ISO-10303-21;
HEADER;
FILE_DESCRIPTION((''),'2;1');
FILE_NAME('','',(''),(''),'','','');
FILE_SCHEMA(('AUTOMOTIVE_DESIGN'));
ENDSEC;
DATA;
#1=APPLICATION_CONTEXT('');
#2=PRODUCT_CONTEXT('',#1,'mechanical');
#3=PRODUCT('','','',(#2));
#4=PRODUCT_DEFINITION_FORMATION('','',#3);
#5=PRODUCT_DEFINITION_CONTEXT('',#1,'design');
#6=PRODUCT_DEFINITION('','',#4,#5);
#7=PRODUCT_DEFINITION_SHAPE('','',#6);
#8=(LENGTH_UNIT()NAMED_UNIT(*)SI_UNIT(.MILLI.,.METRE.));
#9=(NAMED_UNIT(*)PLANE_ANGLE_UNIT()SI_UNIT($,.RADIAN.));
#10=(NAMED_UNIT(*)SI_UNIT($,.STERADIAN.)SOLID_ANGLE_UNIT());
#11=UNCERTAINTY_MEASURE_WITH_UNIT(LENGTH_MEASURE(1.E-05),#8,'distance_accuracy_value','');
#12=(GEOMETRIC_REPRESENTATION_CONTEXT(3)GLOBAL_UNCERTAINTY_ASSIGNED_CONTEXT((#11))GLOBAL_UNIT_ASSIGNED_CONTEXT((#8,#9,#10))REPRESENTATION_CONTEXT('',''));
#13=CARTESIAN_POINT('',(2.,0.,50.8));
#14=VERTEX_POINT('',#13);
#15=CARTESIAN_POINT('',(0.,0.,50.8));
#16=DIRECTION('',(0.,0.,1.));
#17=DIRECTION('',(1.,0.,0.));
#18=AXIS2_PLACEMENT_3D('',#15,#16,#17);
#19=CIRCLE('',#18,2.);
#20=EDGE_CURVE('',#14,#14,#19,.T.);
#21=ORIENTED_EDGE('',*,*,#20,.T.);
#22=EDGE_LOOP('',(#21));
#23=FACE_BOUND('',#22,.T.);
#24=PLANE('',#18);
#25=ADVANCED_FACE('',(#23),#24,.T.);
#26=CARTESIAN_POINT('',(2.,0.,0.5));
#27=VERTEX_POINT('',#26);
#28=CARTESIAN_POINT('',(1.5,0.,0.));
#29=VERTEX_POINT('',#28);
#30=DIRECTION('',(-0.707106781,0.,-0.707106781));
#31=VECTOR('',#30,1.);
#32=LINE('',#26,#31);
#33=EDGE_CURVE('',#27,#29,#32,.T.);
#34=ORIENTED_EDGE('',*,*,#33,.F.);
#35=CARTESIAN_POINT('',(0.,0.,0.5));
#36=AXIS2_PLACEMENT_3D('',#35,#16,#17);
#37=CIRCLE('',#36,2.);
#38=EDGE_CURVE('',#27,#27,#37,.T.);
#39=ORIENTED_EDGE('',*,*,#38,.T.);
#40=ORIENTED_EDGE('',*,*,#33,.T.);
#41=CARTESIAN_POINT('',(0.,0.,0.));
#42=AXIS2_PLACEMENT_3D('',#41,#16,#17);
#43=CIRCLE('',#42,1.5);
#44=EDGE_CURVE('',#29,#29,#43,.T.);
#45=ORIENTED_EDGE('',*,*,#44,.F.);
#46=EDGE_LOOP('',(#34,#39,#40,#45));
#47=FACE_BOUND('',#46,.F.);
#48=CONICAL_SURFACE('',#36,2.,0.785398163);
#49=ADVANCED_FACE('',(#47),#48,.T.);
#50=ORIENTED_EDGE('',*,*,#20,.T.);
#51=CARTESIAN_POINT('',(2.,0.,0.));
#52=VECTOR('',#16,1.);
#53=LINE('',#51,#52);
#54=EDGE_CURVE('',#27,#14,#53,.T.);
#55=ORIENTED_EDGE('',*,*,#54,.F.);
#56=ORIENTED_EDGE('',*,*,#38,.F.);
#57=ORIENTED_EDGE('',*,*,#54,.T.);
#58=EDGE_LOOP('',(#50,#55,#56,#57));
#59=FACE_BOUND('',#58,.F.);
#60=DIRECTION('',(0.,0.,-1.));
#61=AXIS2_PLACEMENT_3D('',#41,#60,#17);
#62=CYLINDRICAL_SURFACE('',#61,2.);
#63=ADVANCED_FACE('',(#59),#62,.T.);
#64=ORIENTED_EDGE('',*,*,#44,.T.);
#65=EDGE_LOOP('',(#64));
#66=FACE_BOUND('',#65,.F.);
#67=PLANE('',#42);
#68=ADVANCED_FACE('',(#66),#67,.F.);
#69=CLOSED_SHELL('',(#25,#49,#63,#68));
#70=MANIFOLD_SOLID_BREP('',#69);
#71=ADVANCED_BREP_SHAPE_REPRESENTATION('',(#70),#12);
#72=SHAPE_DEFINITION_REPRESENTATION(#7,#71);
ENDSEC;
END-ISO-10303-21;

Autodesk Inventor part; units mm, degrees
ref_plane "YZ Plane" through (0, 0, 0) normal (1, 0, 0) x (0, 1, 0)
ref_plane "XZ Plane" through (0, 0, 0) normal (0, 1, 0) x (-1, 0, 0)
ref_plane "XY Plane" through (0, 0, 0) normal (0, 0, 1) x (1, 0, 0)
sketch "Sketch1" plane through (0, 0, 0) normal (0, 0, 1) x (1, 0, 0)
  circle A0 centre (0, 0) radius 2
  dimension "d0" = 4
extrude "Extrusion1" add sketch "Sketch1" along normal blind 50.8
chamfer "Chamfer1" distance 0.5 angle 45 1 edges at (-2, 0, 0)
properties part number "End Guides - Rail" material "Stainless Steel"
